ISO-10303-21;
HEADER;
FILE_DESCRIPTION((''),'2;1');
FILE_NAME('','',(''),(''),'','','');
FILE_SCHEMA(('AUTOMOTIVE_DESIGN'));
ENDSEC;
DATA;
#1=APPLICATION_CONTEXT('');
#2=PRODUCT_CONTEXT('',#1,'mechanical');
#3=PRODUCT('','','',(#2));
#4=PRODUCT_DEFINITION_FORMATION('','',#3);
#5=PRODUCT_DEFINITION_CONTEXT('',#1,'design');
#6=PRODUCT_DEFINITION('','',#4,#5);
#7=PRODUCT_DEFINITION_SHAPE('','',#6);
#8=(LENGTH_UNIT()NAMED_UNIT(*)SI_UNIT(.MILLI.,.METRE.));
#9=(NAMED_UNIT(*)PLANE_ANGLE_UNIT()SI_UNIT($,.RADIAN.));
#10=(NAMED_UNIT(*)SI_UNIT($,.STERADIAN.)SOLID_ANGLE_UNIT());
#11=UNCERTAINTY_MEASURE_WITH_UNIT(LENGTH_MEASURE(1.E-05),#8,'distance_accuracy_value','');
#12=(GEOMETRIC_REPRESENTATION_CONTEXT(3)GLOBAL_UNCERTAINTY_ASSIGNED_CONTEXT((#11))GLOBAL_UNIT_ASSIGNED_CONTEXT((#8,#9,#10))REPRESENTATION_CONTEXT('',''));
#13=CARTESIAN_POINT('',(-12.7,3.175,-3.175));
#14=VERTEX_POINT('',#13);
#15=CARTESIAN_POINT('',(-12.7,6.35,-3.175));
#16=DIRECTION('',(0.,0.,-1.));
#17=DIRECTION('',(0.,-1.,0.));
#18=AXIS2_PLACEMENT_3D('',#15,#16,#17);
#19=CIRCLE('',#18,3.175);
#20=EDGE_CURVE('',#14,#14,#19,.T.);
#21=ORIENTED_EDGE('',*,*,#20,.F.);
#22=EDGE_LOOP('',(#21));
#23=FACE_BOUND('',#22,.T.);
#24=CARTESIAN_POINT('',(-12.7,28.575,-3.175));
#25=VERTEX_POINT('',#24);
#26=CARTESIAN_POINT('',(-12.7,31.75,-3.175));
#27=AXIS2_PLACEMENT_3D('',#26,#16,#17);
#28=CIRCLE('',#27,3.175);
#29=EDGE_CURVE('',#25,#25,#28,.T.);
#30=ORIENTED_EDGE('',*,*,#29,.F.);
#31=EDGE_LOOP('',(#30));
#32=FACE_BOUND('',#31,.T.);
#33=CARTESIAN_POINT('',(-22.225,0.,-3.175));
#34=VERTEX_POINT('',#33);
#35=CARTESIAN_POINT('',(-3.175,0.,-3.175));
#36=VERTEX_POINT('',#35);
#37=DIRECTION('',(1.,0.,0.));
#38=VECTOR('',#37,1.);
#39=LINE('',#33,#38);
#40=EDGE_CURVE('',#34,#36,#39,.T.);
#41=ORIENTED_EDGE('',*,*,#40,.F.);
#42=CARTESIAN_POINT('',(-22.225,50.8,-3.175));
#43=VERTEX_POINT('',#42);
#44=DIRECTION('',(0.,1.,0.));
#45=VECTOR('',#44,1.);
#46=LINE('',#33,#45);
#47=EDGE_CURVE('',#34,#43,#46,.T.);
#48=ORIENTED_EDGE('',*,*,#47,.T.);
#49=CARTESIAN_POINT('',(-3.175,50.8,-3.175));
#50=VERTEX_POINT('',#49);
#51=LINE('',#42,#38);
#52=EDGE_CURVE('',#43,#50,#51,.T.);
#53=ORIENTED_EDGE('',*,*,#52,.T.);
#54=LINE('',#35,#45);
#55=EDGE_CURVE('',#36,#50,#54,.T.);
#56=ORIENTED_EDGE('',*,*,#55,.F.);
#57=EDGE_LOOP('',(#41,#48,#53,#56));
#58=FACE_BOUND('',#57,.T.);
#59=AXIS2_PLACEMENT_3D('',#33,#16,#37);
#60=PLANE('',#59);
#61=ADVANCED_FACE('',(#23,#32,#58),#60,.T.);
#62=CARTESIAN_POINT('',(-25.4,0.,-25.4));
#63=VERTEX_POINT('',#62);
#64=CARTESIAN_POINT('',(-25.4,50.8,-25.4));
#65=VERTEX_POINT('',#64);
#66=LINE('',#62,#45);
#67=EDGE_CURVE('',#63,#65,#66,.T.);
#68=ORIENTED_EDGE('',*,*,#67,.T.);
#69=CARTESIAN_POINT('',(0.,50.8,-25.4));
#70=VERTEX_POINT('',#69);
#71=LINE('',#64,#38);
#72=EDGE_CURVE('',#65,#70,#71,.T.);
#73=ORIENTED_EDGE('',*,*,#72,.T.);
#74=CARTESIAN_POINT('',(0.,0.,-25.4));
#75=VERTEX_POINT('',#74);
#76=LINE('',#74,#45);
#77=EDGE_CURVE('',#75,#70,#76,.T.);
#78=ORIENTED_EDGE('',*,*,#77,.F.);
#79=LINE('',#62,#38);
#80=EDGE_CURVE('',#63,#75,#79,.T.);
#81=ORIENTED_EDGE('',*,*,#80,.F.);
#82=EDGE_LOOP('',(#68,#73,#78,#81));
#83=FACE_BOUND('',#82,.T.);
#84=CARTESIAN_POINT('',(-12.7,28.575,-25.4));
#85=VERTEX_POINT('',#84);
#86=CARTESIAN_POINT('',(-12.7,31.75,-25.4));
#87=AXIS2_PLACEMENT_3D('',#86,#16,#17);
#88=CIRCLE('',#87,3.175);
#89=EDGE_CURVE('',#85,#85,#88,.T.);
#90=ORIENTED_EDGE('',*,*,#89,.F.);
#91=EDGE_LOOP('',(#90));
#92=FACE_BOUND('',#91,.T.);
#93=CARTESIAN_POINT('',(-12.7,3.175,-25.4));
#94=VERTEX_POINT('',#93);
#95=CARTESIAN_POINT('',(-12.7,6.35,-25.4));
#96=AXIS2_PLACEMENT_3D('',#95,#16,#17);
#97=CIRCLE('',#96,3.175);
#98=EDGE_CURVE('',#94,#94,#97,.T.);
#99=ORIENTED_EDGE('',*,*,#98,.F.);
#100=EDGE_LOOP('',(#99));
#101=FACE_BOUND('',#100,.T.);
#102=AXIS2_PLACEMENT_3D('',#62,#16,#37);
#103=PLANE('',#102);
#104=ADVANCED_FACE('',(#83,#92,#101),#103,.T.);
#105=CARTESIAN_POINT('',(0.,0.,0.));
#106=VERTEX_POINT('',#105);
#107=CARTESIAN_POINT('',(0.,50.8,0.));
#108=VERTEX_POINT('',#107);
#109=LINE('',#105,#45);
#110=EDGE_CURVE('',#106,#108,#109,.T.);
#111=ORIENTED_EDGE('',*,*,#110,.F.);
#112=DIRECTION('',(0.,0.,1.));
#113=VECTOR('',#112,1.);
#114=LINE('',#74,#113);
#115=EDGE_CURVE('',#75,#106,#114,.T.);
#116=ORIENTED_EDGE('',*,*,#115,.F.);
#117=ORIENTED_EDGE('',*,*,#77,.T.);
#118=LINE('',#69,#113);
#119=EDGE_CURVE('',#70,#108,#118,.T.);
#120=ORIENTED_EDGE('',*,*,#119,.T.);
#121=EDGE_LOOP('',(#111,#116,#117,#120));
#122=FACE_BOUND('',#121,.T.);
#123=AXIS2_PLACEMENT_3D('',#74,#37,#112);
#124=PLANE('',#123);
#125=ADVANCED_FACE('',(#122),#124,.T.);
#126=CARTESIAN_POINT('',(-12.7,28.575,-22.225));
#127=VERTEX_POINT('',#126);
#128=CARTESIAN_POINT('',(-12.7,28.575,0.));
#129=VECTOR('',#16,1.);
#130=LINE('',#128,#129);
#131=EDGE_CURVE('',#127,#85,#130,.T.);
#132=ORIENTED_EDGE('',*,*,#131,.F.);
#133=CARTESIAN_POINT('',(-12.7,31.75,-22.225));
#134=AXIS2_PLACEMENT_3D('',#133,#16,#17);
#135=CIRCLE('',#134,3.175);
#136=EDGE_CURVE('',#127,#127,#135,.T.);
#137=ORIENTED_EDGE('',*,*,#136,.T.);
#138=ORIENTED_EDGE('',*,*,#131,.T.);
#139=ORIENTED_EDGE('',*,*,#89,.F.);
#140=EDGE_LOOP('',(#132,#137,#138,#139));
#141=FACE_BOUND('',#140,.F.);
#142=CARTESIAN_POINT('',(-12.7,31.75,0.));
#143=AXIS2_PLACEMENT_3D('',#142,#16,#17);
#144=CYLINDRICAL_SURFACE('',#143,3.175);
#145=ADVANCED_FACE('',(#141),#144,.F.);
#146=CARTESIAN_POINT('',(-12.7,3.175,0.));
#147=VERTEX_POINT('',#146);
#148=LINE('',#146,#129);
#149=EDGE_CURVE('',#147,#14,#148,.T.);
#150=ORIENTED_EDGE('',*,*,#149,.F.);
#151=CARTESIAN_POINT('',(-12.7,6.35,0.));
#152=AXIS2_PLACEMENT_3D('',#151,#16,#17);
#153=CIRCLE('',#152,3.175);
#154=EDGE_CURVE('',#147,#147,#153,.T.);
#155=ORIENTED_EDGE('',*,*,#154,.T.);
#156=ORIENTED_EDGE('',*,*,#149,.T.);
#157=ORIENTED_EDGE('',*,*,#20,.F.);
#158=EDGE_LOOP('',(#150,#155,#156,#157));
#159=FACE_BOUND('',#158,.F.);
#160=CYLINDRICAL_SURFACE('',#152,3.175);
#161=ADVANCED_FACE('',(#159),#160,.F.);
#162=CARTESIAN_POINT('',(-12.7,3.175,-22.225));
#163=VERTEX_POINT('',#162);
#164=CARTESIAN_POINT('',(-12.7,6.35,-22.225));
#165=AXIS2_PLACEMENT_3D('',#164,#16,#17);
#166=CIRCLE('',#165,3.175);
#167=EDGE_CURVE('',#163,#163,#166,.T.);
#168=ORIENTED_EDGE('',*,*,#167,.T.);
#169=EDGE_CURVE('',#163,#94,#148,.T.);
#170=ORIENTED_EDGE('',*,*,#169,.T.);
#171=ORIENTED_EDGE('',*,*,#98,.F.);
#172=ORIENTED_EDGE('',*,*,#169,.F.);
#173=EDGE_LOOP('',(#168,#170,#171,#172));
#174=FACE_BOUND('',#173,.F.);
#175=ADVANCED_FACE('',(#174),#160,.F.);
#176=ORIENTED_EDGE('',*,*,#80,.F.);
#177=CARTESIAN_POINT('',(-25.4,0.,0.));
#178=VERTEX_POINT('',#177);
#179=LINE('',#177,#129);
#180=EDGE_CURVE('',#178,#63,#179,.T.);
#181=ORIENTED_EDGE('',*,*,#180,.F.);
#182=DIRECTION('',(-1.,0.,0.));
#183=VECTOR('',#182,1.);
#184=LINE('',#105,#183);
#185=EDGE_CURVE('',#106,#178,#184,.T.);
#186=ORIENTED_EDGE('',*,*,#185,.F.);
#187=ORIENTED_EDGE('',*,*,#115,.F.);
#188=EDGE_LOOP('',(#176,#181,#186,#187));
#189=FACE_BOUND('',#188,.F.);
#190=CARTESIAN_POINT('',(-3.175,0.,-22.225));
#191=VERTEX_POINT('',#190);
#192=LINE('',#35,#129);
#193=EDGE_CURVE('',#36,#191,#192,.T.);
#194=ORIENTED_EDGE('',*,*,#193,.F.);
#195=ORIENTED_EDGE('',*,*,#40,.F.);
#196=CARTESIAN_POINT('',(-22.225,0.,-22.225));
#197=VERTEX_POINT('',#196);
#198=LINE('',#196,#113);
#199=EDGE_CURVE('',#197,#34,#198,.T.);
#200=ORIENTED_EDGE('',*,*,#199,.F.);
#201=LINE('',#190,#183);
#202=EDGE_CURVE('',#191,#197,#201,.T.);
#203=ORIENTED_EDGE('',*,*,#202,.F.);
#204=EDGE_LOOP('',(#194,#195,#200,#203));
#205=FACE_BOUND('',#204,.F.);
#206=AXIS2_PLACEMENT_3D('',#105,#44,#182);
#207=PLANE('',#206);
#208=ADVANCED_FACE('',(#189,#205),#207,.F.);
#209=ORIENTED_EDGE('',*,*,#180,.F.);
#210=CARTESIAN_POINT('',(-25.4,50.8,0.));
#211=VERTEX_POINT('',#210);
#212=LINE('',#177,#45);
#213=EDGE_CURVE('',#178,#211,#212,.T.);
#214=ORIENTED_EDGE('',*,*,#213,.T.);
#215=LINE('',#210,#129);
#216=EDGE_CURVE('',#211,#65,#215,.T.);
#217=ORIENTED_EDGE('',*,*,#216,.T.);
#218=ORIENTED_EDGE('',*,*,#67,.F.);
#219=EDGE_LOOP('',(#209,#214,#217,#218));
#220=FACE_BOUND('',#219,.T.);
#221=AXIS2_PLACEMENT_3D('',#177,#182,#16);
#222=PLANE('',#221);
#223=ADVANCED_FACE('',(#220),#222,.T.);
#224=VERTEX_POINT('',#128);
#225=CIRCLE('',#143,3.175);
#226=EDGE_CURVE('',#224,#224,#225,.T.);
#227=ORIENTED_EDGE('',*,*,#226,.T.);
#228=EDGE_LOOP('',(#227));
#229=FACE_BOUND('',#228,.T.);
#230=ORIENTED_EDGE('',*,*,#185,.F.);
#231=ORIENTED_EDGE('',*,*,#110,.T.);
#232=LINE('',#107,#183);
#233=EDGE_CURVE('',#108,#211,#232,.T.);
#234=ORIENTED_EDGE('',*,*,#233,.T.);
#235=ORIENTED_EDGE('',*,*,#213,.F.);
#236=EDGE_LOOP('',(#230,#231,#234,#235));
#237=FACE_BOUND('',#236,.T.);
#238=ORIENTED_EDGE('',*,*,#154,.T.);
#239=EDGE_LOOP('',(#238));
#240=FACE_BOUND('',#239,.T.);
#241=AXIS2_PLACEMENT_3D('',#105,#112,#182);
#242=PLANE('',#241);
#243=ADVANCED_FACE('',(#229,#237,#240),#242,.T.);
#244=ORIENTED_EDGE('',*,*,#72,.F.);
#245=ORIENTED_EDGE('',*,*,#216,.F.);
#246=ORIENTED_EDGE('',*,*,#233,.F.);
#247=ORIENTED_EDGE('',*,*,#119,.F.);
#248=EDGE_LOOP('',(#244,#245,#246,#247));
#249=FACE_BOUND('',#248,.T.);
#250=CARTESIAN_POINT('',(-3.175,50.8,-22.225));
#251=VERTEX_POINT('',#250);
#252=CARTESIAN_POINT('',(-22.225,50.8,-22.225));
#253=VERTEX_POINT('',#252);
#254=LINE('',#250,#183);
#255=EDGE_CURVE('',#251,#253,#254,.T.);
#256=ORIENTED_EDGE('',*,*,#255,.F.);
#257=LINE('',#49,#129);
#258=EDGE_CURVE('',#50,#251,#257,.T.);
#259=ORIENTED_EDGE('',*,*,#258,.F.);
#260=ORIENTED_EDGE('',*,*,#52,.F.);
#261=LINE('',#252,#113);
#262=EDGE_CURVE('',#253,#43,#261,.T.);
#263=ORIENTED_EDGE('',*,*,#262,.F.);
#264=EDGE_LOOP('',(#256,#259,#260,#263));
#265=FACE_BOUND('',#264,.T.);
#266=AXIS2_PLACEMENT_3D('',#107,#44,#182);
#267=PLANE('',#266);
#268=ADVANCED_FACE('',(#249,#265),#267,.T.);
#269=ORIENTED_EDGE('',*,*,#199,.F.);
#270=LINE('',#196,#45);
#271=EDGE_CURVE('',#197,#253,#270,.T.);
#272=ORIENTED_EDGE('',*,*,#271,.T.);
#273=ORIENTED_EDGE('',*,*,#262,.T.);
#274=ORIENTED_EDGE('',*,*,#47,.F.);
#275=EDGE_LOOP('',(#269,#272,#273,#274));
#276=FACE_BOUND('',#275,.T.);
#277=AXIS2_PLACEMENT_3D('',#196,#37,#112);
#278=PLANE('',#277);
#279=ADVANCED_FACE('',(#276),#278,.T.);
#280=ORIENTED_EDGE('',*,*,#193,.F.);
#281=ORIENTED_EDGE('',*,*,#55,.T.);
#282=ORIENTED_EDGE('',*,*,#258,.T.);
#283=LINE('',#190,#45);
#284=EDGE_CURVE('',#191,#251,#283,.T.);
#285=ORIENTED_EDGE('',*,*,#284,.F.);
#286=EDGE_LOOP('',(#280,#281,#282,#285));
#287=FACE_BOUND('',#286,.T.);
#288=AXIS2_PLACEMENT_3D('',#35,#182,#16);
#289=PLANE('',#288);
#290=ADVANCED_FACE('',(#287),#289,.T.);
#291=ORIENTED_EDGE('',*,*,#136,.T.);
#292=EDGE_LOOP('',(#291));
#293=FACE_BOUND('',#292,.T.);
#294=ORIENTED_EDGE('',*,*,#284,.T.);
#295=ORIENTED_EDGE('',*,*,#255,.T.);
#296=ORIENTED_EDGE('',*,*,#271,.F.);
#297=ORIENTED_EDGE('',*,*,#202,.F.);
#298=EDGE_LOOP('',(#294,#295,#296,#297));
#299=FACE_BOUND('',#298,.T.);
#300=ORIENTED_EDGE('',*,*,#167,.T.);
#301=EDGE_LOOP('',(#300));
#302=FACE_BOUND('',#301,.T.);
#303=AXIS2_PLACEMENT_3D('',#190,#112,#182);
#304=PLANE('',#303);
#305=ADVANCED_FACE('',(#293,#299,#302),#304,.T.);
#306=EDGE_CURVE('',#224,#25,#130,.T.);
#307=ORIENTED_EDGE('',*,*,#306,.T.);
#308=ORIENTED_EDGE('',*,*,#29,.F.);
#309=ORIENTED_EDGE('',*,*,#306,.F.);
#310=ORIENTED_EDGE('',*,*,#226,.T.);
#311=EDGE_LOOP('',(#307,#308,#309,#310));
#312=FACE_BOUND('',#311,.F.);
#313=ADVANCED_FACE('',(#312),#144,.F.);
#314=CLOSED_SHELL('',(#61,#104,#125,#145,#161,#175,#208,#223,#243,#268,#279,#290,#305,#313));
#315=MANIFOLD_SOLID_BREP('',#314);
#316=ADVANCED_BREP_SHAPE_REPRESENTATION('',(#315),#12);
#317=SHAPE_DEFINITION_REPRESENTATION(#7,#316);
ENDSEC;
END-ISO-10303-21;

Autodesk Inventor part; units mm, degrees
ref_plane "YZ Plane" through (0, 0, 0) normal (1, 0, 0) x (0, 1, 0)
ref_plane "XZ Plane" through (0, 0, 0) normal (0, 1, 0) x (-1, 0, 0)
ref_plane "XY Plane" through (0, 0, 0) normal (0, 0, 1) x (1, 0, 0)
sketch "Sketch1" plane through (0, 0, 0) normal (0, 1, 0) x (-1, 0, 0)
  line L0 (0, 0) -> (25.4, 0)
  line L1 (25.4, 0) -> (25.4, -25.4)
  line L2 (25.4, -25.4) -> (0, -25.4)
  line L3 (0, -25.4) -> (0, 0)
  line L4 (3.175, -22.225) -> (22.225, -22.225)
  line L5 (22.225, -22.225) -> (22.225, -3.175)
  line L6 (22.225, -3.175) -> (3.175, -3.175)
  line L7 (3.175, -3.175) -> (3.175, -22.225)
  dimension "d0" = 25.4
  dimension "d1" = 25.4
  dimension "d2" = 3.175
extrude "Extrusion1" add sketch "Sketch1" along normal blind 50.8
hole "Hole1" at (-12.7, 6.35, 0) direction (0, 0, -1) diameter 6.35 end through all
pattern_linear "Rectangular Pattern1" count 2 spacing 25.4 along (0, 1, 0) of "Hole1"
properties part number "1x1 boxbeam for bearing"
